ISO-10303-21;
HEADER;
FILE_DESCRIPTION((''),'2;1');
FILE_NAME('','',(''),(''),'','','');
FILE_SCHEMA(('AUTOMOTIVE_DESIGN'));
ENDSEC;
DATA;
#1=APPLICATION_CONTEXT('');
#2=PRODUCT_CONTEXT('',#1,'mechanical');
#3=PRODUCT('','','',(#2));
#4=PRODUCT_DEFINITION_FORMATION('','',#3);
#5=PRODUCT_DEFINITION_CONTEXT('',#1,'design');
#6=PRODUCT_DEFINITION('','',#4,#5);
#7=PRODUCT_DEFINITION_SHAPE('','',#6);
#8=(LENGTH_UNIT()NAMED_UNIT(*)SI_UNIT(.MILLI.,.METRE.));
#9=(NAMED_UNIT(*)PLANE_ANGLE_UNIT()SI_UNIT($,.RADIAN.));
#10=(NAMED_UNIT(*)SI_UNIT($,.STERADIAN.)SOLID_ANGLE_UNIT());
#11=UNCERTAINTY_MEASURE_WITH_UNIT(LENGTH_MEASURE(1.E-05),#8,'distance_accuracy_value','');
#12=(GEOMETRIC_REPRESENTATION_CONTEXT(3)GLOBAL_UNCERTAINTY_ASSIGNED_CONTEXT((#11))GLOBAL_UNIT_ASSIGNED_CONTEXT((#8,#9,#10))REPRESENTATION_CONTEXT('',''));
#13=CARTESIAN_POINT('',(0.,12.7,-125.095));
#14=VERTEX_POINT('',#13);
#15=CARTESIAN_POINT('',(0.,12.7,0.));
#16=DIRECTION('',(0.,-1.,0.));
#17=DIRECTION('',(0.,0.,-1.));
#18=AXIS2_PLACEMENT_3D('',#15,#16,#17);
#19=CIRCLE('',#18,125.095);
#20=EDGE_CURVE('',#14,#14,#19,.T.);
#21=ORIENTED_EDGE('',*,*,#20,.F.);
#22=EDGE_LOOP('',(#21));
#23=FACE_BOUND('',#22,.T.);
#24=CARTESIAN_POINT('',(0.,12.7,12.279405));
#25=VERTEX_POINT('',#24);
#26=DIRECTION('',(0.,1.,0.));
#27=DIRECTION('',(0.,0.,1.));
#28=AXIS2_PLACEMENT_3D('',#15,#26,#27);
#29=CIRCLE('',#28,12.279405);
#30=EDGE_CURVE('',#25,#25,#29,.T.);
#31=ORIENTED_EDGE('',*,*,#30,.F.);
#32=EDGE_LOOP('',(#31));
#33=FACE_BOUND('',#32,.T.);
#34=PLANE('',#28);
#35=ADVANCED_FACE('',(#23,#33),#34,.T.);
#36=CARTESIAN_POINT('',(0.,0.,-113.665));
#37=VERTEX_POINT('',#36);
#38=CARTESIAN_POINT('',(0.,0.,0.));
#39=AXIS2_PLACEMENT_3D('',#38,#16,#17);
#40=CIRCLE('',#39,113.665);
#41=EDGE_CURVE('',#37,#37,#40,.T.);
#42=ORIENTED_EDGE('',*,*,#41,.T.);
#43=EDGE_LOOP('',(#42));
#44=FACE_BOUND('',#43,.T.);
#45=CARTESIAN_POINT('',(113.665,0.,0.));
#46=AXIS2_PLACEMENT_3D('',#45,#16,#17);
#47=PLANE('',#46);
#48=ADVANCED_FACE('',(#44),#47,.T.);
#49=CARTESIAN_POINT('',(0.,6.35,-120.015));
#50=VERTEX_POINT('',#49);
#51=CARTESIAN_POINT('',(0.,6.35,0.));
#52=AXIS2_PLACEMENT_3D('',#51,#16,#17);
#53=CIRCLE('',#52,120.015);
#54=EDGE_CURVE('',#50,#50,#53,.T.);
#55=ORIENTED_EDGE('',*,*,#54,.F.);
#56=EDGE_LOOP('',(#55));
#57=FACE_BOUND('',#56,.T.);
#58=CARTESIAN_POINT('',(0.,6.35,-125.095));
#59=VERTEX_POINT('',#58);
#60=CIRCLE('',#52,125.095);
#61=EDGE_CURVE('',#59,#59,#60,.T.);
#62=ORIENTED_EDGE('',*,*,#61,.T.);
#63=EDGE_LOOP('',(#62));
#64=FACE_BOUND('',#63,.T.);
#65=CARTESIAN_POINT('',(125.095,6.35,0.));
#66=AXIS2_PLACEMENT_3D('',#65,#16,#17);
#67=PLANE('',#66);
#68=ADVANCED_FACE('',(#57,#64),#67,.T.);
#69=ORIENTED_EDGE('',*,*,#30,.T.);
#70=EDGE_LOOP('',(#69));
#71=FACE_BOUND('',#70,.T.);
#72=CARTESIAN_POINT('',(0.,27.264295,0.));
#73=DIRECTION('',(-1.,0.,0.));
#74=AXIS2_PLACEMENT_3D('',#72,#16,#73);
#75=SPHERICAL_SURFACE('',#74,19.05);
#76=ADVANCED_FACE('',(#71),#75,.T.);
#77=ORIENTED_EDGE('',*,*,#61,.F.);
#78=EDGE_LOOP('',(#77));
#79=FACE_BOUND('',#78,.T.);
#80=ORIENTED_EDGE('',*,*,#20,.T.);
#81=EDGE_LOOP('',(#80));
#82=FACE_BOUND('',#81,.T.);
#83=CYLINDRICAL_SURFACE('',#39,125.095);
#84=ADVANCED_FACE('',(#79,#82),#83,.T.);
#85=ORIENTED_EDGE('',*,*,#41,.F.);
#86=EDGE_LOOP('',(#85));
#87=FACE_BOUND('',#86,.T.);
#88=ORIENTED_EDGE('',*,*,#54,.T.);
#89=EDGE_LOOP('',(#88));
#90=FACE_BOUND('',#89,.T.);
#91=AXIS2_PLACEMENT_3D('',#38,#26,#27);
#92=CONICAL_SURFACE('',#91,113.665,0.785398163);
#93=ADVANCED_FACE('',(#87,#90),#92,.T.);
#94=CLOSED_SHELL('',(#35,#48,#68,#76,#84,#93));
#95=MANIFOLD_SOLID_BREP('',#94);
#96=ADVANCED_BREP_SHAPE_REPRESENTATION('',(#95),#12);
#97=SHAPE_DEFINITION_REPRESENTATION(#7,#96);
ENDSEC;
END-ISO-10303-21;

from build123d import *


with BuildPart() as part:
    # Sketch1 → Revolve1 (revolve)
    with BuildSketch(Plane.XY, mode=Mode.PRIVATE) as revolve1_sk:
        Polygon((125.095, 12.7), (125.095, 6.35), (120.015, 6.35), (113.665, 0), (0, 0), (0, 12.7), align=None)
    revolve(revolve1_sk.sketch.rotate(Axis((0, 0, 0), (0, 1, 0)), 90), axis=Axis((0, 0, 0), (0, 1, 0)))

    # Sketch2 → Revolve2 (revolve)
    with BuildSketch(Plane.XY):
        with BuildLine():
            Line((0, 46.314295443), (0, 8.214295443))
            ThreePointArc((0, 8.214295443), (19.05, 27.264295443), (0, 46.314295443))
        make_face()
    revolve(axis=Axis((0, 0, 0), (0, 1, 0)))


solid = part.part
